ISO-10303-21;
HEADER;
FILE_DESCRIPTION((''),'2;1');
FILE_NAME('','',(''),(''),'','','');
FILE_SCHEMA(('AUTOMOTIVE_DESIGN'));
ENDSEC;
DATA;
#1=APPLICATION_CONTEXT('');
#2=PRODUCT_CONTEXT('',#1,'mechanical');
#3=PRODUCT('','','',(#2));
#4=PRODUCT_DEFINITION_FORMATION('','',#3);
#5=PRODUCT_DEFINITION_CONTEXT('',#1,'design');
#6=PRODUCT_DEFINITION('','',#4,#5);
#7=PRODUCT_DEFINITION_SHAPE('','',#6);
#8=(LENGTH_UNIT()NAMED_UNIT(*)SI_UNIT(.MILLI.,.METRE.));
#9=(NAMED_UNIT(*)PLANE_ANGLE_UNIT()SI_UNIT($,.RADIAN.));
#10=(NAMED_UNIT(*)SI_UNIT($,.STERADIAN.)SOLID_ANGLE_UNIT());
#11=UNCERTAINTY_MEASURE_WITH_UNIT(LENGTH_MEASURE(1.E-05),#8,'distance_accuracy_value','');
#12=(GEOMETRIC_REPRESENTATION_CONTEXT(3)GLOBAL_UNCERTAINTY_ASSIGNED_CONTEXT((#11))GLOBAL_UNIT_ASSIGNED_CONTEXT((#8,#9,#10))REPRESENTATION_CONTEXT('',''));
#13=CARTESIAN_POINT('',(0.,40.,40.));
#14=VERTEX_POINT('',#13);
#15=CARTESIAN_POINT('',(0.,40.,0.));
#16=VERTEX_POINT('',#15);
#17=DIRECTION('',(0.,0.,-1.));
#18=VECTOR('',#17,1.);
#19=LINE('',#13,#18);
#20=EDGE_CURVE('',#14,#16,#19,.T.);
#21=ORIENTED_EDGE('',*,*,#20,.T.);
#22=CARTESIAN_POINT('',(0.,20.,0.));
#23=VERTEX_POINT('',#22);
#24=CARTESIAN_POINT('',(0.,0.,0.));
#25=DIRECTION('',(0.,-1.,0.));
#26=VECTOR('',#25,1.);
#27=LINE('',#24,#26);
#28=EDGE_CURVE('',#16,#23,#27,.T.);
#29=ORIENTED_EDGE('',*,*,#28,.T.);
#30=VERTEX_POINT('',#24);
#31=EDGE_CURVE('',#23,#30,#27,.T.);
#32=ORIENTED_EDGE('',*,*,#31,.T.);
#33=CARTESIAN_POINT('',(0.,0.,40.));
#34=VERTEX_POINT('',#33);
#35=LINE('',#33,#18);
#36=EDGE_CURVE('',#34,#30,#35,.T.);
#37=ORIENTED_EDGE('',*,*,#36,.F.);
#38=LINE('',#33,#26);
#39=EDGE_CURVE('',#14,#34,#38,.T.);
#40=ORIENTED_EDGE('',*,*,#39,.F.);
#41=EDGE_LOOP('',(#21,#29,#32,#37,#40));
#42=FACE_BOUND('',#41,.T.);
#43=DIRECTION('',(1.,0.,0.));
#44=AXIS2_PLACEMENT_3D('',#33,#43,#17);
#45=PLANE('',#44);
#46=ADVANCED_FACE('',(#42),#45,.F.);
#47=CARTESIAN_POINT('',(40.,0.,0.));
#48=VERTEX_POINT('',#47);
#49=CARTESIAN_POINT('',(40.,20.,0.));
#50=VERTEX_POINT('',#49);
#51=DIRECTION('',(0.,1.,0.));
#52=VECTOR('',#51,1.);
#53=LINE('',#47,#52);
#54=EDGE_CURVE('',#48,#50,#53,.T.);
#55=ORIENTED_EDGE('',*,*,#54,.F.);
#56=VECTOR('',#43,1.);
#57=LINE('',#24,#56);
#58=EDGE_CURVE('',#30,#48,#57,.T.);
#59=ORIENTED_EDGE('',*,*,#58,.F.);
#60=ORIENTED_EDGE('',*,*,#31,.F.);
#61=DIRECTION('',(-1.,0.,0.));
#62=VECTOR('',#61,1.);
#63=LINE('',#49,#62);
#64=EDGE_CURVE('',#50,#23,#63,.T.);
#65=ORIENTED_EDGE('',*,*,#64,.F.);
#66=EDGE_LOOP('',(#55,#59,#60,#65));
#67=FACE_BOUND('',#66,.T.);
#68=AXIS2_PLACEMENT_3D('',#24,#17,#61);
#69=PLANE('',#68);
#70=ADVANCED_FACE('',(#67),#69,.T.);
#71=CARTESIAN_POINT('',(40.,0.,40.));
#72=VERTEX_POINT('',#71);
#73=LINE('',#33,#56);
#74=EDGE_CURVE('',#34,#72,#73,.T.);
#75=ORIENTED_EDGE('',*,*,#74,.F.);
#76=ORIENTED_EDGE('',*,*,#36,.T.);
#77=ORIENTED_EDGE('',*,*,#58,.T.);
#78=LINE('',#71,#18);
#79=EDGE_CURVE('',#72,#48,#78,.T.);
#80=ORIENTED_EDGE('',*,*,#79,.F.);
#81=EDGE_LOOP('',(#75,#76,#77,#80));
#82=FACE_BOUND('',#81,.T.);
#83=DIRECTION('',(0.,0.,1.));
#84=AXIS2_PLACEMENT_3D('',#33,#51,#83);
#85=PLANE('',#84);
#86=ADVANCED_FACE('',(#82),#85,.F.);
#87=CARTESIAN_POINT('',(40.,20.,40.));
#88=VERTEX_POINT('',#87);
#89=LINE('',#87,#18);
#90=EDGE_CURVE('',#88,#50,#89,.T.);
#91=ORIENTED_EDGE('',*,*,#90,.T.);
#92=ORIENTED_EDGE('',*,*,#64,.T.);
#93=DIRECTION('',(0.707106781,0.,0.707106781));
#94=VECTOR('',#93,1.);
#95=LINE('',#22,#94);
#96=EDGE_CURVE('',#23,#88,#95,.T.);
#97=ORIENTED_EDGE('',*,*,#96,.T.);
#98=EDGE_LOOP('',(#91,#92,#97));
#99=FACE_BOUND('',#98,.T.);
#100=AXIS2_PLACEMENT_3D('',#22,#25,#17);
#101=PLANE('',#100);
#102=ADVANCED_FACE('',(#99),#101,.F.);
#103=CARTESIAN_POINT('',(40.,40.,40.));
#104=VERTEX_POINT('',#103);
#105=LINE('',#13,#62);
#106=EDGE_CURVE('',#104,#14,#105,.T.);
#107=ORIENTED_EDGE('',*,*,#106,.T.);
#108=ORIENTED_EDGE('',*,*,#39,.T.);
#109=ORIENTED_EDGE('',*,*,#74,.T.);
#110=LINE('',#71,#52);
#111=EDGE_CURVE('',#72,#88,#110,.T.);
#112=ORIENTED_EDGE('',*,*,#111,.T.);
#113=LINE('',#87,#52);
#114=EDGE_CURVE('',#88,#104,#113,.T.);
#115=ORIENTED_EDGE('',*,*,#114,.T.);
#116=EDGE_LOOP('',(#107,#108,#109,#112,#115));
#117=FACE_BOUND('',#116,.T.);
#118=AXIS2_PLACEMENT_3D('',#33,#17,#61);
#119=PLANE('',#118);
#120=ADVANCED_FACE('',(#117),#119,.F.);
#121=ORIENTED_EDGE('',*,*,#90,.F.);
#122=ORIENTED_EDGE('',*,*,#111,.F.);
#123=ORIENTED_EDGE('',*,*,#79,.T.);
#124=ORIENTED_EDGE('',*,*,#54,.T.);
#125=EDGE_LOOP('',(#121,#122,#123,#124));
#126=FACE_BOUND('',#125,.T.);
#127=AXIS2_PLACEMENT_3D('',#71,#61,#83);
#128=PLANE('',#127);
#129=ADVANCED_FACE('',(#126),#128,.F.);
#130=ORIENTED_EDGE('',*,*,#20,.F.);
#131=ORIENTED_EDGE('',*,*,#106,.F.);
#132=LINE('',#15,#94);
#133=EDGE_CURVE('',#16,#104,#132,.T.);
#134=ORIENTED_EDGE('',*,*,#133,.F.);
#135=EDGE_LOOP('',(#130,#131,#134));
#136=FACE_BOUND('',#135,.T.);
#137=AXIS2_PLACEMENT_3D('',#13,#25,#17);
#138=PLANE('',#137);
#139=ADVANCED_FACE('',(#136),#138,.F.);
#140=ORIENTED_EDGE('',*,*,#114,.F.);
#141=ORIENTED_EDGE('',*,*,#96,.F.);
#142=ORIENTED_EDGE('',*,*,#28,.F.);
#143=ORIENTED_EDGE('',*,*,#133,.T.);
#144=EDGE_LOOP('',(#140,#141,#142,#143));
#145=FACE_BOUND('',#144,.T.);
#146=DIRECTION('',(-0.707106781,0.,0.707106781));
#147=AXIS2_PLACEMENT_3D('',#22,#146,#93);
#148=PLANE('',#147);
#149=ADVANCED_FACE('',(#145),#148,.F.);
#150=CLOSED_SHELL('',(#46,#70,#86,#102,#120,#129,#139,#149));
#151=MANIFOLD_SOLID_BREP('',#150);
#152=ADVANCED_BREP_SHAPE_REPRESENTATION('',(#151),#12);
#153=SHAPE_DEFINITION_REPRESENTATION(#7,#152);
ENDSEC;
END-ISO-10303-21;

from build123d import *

# Parameters (mm, degrees)
SKETCH1_W           = 40
SKETCH1_H           = 40
BOSS_EXTRUDE1_DEPTH = 40
CUT_EXTRUDE1_DEPTH  = 20


with BuildPart() as part:
    # Sketch1 → Boss-Extrude1 (new body)
    with BuildSketch(Plane.XY):
        with Locations((20, 20)):
            Rectangle(SKETCH1_W, SKETCH1_H)
    extrude(amount=BOSS_EXTRUDE1_DEPTH)

    # Sketch2 → Cut-Extrude1 (cut)
    with BuildSketch(Plane(origin=(0, 40, 0), x_dir=(1, 0, 0), z_dir=(0, 1, 0))):
        Polygon((0, 0), (40, -40), (40, 0), align=None)
    extrude(amount=-CUT_EXTRUDE1_DEPTH, mode=Mode.SUBTRACT)


solid = part.part
